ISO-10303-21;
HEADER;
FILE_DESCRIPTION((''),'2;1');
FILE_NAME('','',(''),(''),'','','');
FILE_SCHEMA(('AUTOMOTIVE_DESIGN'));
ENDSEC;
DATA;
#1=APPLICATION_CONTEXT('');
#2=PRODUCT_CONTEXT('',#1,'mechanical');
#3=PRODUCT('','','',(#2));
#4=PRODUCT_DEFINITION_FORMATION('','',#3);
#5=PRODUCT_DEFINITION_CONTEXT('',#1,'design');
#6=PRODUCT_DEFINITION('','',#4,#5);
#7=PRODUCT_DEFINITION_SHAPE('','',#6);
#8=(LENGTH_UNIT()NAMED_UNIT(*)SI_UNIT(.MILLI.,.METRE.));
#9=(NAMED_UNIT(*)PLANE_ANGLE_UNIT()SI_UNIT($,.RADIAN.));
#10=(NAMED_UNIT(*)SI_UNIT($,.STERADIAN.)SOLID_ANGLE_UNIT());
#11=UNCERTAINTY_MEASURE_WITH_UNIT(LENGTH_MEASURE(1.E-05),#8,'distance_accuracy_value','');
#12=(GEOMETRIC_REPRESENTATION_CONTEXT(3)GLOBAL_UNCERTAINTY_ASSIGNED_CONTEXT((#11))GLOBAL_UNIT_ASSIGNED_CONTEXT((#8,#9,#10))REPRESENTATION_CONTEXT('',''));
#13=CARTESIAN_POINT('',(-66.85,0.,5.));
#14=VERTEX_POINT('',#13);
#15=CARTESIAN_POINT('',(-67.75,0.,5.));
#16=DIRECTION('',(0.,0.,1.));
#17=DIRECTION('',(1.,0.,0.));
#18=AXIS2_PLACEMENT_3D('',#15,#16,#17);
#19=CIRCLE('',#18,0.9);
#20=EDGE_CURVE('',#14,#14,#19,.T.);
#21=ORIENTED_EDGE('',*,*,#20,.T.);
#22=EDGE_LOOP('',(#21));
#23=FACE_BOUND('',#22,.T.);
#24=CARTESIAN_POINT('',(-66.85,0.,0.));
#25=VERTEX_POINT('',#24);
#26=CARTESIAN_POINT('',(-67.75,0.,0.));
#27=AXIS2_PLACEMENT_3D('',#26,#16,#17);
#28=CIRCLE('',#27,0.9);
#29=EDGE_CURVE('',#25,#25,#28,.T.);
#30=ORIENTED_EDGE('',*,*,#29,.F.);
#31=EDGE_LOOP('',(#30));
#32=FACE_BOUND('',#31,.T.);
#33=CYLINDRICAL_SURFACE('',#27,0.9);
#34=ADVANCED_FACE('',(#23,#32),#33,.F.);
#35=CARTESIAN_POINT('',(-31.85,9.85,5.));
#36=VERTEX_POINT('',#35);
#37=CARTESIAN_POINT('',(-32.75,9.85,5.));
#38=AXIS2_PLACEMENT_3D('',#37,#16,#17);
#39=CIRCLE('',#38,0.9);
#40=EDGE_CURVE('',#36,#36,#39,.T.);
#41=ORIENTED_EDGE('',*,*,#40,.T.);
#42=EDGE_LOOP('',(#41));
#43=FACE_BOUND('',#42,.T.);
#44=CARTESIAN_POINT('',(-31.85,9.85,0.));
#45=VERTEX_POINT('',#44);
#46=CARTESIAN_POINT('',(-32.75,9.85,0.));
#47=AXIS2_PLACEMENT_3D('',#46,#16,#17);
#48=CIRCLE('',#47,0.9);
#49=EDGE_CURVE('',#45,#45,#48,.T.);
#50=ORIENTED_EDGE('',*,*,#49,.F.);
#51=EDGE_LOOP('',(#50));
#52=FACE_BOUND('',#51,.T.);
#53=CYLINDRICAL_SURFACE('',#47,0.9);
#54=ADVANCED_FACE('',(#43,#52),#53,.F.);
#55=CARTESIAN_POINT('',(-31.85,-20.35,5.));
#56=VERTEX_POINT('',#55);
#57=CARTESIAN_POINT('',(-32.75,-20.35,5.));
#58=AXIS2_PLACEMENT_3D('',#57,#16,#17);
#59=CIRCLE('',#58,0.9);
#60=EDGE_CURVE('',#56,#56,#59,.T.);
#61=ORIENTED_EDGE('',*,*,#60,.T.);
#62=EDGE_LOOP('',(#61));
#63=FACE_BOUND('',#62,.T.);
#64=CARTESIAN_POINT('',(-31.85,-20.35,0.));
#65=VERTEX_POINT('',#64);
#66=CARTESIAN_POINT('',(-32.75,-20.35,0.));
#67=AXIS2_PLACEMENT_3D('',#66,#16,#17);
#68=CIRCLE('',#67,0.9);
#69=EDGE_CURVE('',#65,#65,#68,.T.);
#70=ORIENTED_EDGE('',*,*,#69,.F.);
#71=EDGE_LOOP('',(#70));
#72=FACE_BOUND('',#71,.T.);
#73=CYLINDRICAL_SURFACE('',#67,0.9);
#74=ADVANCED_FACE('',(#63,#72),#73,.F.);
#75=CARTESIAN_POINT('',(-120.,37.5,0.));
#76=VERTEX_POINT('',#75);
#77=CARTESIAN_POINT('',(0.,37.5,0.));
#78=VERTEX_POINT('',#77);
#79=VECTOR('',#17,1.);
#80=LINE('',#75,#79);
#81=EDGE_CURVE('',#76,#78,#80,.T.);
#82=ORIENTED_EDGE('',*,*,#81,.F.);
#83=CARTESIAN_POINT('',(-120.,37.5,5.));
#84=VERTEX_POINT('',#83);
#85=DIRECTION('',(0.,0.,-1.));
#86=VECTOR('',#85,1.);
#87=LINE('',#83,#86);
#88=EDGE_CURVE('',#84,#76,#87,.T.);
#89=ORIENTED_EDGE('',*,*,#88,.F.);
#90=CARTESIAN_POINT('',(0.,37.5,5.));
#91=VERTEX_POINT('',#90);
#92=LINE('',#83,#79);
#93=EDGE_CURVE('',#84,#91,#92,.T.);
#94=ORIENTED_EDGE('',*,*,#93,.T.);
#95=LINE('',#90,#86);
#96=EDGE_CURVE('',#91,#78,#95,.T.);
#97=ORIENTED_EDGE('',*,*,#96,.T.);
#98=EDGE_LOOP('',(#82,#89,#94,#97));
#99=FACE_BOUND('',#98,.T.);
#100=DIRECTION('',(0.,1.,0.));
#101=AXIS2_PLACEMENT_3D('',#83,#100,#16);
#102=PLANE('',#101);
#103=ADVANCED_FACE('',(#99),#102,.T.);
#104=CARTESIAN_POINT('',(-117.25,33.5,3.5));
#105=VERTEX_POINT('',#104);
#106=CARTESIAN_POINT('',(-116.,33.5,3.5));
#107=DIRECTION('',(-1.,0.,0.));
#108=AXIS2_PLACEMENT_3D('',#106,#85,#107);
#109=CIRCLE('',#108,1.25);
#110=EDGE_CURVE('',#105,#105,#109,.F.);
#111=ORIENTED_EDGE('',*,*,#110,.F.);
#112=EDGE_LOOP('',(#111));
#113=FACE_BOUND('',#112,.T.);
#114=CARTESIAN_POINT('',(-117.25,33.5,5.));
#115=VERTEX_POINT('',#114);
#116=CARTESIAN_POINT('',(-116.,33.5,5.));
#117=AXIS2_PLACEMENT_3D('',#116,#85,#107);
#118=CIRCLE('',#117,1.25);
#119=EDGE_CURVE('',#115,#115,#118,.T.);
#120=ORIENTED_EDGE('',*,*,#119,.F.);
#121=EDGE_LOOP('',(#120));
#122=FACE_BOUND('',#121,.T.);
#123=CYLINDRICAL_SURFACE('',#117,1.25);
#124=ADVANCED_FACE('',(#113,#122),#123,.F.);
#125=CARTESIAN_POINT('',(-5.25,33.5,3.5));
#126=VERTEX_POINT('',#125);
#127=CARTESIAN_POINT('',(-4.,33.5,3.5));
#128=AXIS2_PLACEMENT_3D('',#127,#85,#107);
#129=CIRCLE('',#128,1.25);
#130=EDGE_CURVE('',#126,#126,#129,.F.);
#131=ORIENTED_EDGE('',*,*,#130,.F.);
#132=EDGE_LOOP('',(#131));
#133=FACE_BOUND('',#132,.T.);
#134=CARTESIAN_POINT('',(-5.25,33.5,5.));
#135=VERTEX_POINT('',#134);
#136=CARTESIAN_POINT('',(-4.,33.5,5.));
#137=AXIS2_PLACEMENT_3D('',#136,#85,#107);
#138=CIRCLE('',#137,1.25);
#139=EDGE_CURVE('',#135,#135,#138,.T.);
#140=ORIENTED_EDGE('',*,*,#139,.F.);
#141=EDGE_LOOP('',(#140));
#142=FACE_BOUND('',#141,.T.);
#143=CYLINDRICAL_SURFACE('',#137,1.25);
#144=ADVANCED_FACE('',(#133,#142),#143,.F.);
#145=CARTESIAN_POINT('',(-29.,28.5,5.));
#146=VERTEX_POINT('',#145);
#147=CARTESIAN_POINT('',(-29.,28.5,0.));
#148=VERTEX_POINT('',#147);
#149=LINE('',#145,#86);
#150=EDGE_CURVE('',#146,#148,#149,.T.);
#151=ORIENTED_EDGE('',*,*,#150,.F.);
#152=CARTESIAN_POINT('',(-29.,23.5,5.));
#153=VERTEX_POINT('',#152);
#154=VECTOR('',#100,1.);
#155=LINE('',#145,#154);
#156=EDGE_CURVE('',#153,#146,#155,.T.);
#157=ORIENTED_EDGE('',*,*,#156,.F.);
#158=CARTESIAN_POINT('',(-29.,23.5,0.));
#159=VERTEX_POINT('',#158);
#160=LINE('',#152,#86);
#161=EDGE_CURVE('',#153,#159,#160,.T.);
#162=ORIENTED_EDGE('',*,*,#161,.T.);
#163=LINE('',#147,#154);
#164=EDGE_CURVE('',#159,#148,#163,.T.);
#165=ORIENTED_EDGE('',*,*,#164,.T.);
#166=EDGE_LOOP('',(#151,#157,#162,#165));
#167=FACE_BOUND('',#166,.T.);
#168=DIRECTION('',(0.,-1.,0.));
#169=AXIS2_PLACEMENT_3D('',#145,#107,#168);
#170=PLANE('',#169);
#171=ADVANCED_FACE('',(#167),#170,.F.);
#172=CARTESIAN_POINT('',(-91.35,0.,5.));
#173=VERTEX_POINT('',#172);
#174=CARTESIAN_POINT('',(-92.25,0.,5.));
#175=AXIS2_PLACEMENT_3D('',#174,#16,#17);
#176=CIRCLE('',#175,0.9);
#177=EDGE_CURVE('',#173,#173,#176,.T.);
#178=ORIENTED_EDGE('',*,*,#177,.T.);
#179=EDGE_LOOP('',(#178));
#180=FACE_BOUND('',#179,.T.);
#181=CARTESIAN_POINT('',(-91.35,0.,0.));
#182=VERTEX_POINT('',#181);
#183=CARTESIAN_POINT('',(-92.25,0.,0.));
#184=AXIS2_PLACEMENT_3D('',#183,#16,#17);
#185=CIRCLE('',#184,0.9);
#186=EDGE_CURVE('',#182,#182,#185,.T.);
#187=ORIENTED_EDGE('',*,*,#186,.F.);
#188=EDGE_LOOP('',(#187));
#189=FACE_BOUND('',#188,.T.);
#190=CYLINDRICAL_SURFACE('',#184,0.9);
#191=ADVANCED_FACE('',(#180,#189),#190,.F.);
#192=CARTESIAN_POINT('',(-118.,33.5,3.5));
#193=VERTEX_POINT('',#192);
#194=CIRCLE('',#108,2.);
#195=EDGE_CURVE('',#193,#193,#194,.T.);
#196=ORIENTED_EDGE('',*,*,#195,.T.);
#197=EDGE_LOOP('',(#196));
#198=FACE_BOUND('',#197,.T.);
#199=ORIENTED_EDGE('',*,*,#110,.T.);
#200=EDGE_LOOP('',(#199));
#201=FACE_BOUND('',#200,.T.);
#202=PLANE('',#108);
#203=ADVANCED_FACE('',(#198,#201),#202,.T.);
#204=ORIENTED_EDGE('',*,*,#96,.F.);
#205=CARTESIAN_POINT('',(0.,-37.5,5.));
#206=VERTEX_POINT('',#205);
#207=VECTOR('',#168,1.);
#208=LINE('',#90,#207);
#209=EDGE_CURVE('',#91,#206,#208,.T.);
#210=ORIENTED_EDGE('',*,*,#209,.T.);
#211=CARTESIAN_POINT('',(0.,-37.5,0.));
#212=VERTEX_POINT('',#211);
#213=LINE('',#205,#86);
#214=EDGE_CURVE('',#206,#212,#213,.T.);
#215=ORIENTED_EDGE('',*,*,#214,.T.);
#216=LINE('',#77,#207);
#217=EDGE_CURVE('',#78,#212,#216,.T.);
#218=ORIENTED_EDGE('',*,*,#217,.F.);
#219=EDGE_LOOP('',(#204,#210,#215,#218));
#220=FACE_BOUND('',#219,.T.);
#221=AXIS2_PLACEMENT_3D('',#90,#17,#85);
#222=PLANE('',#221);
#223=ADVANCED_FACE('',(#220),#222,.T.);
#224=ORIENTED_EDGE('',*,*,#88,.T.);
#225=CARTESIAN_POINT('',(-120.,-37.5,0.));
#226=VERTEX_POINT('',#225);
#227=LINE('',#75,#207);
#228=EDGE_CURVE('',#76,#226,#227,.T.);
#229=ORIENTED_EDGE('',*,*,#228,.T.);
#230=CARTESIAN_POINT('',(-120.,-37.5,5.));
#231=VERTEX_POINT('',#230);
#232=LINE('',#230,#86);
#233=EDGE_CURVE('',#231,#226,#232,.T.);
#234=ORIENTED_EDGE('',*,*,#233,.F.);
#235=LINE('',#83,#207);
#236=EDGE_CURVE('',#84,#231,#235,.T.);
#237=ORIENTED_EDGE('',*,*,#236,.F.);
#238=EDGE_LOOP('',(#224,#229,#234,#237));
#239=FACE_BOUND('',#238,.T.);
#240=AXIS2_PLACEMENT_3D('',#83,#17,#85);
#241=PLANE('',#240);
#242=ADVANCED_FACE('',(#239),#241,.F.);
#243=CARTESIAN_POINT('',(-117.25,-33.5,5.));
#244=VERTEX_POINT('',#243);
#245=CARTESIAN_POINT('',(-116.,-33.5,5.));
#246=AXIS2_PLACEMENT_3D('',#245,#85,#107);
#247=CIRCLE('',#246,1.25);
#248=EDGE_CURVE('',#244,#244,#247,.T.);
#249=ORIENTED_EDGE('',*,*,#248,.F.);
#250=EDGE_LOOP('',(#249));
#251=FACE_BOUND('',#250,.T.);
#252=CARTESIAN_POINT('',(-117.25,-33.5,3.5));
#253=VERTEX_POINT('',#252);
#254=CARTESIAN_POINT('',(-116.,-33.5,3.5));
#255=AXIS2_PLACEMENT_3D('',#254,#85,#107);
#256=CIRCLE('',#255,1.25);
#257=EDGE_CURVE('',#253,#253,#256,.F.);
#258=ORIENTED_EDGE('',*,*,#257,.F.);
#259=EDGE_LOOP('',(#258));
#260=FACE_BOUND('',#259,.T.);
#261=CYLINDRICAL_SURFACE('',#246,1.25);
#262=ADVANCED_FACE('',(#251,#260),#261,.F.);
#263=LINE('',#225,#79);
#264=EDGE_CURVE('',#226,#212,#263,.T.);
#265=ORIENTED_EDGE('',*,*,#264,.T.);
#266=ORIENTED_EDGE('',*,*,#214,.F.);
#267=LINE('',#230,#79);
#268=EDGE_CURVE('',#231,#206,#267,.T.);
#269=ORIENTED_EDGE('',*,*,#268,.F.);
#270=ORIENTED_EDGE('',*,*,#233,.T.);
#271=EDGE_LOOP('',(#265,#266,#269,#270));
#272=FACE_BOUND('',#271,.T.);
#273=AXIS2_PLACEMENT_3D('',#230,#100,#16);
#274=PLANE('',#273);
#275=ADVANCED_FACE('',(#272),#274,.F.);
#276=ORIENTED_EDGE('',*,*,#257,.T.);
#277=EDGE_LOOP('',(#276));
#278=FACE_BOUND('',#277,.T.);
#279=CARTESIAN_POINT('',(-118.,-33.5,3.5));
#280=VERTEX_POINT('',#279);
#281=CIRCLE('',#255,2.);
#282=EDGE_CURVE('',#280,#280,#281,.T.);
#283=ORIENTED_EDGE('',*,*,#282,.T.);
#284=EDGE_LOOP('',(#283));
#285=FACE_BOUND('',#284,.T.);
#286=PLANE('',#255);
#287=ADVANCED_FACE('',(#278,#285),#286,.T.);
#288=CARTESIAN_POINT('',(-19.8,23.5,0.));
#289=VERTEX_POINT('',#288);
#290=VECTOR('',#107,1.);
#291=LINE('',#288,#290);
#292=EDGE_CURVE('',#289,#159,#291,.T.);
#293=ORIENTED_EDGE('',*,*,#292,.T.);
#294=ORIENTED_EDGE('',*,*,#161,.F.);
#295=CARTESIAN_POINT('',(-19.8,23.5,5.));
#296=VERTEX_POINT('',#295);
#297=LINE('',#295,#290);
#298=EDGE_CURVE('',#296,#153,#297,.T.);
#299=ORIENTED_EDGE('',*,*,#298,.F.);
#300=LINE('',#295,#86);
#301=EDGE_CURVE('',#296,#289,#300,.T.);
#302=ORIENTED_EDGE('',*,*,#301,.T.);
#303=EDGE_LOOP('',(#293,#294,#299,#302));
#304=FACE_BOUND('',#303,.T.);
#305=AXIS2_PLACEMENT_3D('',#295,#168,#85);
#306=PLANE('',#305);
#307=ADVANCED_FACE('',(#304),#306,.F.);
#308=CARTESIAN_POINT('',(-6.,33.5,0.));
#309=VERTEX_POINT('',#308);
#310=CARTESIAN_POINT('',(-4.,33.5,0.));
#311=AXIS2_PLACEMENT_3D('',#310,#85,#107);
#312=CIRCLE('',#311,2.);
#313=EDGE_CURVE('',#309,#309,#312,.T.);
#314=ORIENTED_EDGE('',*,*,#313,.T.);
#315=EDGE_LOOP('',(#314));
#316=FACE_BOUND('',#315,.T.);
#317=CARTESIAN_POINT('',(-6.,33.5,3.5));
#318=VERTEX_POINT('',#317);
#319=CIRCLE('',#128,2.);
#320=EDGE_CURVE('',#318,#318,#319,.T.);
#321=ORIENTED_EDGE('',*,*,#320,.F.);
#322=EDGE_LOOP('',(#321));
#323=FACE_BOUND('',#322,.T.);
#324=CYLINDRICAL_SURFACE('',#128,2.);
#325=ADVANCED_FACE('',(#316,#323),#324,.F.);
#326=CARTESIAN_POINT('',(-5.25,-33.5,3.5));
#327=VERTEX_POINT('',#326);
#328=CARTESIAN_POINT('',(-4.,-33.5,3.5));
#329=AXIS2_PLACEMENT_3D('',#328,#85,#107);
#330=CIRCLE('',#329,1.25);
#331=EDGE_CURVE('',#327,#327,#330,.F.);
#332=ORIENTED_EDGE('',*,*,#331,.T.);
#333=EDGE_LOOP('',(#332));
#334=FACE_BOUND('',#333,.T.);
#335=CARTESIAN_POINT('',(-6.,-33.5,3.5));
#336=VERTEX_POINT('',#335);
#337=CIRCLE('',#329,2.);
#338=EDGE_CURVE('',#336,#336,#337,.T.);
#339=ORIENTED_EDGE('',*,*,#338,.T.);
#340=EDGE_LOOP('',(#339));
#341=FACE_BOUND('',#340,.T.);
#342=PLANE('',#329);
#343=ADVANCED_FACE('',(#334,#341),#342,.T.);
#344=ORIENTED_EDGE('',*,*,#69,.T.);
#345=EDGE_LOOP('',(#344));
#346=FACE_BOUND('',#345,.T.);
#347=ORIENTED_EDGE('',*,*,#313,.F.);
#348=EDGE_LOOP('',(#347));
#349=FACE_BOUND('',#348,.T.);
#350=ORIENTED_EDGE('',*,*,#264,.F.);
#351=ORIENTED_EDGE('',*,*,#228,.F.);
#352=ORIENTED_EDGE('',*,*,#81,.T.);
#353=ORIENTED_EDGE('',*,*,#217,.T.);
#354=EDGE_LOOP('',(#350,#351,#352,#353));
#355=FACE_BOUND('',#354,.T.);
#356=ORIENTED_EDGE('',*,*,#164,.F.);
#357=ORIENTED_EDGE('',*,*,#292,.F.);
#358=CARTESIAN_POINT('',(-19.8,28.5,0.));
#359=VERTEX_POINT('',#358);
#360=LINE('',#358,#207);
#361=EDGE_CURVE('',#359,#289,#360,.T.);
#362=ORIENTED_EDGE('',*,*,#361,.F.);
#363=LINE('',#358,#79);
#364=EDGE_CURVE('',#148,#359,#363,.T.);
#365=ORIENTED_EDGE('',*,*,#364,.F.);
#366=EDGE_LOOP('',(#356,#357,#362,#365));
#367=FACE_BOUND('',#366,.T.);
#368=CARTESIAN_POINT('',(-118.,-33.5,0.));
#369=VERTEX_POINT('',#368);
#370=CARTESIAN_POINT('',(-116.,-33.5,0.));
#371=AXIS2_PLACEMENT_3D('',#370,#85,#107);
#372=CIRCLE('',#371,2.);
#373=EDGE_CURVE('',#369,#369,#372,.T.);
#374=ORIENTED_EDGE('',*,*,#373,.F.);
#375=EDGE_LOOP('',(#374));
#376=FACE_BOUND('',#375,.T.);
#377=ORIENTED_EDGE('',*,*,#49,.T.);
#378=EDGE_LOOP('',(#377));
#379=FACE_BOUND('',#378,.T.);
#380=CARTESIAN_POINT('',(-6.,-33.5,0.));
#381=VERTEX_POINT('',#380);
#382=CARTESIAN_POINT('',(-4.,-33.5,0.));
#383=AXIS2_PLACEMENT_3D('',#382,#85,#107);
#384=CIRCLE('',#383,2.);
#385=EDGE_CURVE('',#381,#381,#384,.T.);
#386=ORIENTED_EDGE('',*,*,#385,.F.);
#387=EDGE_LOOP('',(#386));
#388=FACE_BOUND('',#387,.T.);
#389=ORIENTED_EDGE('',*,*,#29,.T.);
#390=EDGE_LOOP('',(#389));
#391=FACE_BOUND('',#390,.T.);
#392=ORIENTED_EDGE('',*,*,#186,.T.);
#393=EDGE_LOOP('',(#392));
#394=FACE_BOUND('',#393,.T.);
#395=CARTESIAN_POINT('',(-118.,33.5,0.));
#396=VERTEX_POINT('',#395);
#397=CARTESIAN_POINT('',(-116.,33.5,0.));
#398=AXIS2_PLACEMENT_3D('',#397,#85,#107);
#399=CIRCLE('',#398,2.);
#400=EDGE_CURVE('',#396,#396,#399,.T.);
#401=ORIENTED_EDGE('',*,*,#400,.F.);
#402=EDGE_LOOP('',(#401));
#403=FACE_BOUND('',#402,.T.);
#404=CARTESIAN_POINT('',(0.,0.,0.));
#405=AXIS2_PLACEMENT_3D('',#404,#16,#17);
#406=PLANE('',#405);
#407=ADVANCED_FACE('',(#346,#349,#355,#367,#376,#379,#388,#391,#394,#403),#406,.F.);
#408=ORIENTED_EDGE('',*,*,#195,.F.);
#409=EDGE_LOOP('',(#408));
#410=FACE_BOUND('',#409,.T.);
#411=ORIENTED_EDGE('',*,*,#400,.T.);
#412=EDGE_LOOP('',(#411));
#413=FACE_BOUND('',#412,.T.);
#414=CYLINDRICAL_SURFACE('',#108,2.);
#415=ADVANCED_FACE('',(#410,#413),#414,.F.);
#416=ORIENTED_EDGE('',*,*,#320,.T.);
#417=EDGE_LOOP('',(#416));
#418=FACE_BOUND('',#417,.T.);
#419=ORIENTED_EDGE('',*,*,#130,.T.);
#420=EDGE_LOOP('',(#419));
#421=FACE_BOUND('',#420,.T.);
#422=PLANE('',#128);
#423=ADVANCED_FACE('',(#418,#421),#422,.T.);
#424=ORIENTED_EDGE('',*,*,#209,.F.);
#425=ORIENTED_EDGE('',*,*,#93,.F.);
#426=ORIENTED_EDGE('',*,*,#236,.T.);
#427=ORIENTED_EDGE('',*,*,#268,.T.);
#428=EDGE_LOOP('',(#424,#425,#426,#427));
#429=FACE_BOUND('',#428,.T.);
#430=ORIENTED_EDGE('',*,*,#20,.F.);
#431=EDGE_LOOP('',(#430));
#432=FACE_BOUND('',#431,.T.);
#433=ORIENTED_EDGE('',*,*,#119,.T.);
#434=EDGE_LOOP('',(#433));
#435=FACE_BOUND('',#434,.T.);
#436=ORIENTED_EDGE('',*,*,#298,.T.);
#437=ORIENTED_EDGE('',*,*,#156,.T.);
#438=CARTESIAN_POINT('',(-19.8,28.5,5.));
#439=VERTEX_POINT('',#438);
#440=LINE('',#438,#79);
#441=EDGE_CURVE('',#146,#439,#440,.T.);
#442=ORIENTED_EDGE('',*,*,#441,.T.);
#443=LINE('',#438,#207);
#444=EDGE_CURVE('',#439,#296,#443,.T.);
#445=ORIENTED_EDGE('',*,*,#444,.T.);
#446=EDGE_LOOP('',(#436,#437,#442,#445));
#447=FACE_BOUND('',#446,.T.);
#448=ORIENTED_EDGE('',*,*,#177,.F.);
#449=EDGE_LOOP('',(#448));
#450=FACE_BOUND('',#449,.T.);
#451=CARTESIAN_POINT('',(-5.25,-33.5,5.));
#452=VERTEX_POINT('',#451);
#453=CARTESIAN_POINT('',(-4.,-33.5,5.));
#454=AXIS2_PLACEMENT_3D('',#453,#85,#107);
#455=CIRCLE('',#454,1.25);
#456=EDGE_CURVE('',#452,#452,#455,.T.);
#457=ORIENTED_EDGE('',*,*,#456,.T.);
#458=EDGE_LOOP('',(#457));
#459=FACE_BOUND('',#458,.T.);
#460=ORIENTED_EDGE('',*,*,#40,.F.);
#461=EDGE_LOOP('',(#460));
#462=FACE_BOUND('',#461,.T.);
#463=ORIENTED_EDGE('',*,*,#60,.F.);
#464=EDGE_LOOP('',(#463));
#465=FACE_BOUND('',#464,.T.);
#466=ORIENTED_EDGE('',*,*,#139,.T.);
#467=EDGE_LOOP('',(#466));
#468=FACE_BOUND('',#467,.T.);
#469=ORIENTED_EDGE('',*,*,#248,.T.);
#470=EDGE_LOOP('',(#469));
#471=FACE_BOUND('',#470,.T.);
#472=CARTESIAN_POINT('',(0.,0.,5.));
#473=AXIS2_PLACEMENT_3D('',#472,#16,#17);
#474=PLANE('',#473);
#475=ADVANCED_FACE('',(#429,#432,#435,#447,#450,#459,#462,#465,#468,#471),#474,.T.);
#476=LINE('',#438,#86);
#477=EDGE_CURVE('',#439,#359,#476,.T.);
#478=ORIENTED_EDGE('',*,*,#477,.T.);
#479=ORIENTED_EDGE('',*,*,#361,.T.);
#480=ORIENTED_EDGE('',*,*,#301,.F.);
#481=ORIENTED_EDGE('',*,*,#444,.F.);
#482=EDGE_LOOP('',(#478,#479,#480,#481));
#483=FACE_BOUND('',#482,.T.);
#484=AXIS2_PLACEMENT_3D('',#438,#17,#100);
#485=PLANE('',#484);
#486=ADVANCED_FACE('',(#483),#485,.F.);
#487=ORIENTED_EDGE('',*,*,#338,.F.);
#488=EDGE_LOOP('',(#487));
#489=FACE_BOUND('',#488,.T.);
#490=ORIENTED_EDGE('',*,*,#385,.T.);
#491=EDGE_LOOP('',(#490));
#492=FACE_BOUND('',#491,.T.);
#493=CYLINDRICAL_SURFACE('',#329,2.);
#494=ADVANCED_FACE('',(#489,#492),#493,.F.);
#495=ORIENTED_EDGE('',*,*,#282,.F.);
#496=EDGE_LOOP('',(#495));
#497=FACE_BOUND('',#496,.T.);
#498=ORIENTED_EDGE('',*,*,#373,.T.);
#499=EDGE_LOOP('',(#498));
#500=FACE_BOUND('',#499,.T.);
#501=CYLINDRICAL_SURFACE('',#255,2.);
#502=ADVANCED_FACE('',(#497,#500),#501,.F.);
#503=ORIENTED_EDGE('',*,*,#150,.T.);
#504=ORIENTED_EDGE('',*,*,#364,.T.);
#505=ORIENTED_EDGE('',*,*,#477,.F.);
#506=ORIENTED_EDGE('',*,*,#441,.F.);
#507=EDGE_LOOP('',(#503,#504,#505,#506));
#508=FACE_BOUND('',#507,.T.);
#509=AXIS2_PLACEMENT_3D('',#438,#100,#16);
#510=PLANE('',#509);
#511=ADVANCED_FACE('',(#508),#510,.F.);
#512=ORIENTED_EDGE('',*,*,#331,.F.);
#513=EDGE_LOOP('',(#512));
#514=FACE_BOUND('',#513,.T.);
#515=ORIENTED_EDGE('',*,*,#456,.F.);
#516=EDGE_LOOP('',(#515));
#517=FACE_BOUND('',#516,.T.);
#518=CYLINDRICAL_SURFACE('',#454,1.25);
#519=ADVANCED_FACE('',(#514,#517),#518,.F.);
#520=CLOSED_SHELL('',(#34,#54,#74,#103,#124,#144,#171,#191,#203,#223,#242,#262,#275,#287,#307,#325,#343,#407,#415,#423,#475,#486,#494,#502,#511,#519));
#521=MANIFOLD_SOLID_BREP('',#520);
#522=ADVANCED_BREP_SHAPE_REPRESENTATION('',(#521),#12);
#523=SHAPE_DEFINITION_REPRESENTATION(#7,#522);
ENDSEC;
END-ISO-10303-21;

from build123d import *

# Parameters (mm, degrees)
SKETCH_1_W          = 120
SKETCH_1_H          = 75
EXTRUDE_1_DEPTH     = 5
SKETCH_2_R          = 1.25
CUT_EXTRUDE_1_DEPTH = 126.822295322
SKETCH_2_3_R        = 2
CUT_EXTRUDE_2_DEPTH = 3.5
SKETCH_3_W          = 9.2
SKETCH_3_H          = 5
CUT_EXTRUDE_3_DEPTH = 126.822295322
SKETCH_4_R          = 0.9
CUT_EXTRUDE_4_DEPTH = 126.822295322
SKETCH_5_R          = 0.9
CUT_EXTRUDE_5_DEPTH = 126.822295322


with BuildPart() as part:
    # 草图1 → 凸台-拉伸1 (new body)
    with BuildSketch(Plane.XY):
        with Locations((-60, 0)):
            Rectangle(SKETCH_1_W, SKETCH_1_H)
    extrude(amount=EXTRUDE_1_DEPTH)

    # 草图2 → 切除-拉伸1 (cut, through all)
    with BuildSketch(Plane(origin=(0, 0, 0), x_dir=(-1, 0, 0), z_dir=(0, 0, -1))):
        with Locations((4, 33.5)):
            Circle(SKETCH_2_R)
        with Locations((4, -33.5)):
            Circle(SKETCH_2_R)
        with Locations((116, -33.5)):
            Circle(SKETCH_2_R)
        with Locations((116, 33.5)):
            Circle(SKETCH_2_R)
    extrude(amount=-CUT_EXTRUDE_1_DEPTH, mode=Mode.SUBTRACT)

    # 草图2<3> → 切除-拉伸2 (cut)
    with BuildSketch(Plane(origin=(0, 0, 0), x_dir=(-1, 0, 0), z_dir=(0, 0, -1))):
        with Locations((4, 33.5)):
            Circle(SKETCH_2_3_R)
        with Locations((116, 33.5)):
            Circle(SKETCH_2_3_R)
        with Locations((4, -33.5)):
            Circle(SKETCH_2_3_R)
        with Locations((116, -33.5)):
            Circle(SKETCH_2_3_R)
    extrude(amount=-CUT_EXTRUDE_2_DEPTH, mode=Mode.SUBTRACT)

    # 草图3 → 切除-拉伸3 (cut, through all)
    with BuildSketch(Plane(origin=(0, 0, 0), x_dir=(-1, 0, 0), z_dir=(0, 0, -1))):
        with Locations((24.4, 26)):
            Rectangle(SKETCH_3_W, SKETCH_3_H)
    extrude(amount=-CUT_EXTRUDE_3_DEPTH, mode=Mode.SUBTRACT)

    # 草图4 → 切除-拉伸4 (cut, through all)
    with BuildSketch(Plane.XY.offset(5)):
        with Locations((-92.25, 0)):
            Circle(SKETCH_4_R)
        with Locations((-67.75, 0)):
            Circle(SKETCH_4_R)
    extrude(amount=-CUT_EXTRUDE_4_DEPTH, mode=Mode.SUBTRACT)

    # 草图5 → 切除-拉伸5 (cut, through all)
    with BuildSketch(Plane.XY.offset(5)):
        with Locations((-32.75, 9.85)):
            Circle(SKETCH_5_R)
        with Locations((-32.75, -20.35)):
            Circle(SKETCH_5_R)
    extrude(amount=-CUT_EXTRUDE_5_DEPTH, mode=Mode.SUBTRACT)


solid = part.part
